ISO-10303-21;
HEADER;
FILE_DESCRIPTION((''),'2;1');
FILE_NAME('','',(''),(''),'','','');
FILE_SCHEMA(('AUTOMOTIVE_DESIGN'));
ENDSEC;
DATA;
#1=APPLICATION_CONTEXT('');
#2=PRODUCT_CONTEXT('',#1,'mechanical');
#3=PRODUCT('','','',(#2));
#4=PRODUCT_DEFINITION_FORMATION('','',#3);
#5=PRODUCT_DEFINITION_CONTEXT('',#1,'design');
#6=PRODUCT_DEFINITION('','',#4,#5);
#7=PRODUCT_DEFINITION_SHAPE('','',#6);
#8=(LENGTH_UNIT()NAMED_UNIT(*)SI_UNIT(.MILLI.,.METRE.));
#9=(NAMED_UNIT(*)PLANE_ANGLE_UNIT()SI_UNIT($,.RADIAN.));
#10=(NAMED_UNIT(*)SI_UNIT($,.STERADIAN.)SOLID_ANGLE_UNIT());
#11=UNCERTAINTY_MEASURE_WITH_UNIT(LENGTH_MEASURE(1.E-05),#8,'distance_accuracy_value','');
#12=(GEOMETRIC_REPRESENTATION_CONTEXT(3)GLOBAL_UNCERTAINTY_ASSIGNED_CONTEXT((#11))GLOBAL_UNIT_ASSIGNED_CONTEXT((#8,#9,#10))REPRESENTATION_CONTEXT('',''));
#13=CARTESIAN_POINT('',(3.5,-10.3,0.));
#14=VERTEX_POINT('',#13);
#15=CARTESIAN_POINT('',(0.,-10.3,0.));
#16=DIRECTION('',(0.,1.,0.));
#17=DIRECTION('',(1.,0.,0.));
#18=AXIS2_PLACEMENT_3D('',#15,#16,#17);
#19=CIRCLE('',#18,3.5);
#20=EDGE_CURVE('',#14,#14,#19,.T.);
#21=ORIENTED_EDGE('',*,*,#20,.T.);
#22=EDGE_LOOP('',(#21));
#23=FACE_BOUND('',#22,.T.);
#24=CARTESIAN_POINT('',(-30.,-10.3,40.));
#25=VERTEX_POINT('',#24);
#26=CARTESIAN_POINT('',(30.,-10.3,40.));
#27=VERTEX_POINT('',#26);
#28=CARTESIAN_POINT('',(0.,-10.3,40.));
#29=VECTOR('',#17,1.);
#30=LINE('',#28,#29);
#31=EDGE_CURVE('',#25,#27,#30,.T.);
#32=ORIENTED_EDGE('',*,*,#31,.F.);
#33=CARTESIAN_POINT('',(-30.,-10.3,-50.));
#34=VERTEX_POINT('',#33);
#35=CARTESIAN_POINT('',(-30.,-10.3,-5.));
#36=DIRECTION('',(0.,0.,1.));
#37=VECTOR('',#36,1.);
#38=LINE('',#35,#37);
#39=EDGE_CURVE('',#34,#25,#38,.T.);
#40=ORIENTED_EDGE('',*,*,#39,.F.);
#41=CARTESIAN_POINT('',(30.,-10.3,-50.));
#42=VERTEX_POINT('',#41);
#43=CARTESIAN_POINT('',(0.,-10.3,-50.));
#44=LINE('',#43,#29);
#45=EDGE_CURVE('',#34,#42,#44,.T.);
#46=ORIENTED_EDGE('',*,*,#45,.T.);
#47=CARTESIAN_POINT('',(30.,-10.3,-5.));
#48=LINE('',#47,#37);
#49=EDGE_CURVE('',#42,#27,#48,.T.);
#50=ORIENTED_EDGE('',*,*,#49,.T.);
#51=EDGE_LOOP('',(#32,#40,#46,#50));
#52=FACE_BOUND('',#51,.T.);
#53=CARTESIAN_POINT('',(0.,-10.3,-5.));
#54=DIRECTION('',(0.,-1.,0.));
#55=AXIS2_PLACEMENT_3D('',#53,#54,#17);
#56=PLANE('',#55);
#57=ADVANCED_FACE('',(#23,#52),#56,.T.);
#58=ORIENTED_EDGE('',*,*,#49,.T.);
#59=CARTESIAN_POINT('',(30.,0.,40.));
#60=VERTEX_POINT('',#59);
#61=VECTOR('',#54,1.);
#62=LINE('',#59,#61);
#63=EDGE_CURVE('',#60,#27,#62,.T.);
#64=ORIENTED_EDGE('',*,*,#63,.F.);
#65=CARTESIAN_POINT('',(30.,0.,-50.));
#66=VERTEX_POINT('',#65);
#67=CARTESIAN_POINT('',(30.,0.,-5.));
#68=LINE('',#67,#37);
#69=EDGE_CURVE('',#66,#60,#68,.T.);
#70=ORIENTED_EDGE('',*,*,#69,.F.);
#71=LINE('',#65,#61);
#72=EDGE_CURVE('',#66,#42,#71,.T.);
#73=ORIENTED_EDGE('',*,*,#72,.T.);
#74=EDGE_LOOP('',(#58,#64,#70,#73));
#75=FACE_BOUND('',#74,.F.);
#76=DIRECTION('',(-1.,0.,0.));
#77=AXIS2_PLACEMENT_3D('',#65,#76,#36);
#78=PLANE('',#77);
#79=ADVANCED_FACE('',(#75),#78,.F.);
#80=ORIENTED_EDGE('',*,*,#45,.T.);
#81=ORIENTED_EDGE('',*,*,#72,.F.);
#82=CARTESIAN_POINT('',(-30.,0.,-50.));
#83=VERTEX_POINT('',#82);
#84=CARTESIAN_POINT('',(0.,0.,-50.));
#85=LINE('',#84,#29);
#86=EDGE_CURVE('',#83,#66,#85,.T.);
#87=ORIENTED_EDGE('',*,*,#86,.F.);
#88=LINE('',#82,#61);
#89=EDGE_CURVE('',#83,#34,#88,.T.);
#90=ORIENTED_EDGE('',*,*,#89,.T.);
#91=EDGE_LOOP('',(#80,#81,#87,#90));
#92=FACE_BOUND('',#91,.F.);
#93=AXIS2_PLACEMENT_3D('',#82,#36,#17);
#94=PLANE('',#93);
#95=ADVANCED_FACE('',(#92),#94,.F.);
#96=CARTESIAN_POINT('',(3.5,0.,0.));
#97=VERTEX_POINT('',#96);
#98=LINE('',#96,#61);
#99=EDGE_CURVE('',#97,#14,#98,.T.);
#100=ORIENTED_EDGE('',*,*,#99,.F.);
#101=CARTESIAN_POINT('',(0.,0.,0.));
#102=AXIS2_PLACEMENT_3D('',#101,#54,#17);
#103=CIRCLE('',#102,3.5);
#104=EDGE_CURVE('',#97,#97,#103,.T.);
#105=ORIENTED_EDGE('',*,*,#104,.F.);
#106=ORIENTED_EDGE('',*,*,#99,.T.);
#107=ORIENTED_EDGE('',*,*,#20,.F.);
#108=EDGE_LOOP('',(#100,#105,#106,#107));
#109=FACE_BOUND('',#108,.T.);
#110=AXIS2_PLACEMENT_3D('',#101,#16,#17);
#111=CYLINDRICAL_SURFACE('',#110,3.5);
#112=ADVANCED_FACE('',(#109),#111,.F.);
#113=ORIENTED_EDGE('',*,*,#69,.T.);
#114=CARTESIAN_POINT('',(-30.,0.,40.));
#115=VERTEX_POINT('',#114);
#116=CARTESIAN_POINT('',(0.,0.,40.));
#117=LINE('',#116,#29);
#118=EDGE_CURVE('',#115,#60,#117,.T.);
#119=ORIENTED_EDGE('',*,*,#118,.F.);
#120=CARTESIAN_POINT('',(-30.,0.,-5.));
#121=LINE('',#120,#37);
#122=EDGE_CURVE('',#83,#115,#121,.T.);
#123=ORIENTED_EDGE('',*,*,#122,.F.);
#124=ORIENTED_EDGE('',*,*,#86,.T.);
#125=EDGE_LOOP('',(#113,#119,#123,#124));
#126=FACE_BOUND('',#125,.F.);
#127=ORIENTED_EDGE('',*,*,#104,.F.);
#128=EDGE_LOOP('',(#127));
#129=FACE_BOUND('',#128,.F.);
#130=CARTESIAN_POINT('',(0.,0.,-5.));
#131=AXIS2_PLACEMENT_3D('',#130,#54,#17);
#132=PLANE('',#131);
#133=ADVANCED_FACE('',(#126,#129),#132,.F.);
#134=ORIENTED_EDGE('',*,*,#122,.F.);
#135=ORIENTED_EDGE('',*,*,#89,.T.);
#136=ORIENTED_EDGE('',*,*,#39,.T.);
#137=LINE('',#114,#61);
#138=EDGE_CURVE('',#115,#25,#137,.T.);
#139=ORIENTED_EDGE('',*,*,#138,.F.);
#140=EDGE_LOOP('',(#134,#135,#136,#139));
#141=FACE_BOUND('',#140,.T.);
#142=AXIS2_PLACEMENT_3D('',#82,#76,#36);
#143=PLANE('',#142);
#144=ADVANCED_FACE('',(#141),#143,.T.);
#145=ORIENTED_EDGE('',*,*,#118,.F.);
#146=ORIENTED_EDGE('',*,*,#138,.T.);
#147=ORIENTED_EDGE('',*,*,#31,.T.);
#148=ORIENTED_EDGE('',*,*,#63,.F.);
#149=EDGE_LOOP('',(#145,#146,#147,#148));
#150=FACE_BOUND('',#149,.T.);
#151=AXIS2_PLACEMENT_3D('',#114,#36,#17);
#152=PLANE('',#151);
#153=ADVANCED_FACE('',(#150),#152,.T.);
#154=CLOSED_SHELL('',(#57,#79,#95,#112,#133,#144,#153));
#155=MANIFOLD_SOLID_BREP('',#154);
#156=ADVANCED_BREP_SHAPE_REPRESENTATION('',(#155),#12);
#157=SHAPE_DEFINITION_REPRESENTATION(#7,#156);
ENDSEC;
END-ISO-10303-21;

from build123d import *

# Parameters (mm, degrees)
F0_W     = 60
F0_H     = 90
F2_DEPTH = 10.3
F1_R     = 3.5
F3_DEPTH = 25.4


with BuildPart() as f2:
    # F0 (on Front) → F2 (new body)
    with BuildSketch(Plane.XZ):
        with Locations((0, -5)):
            Rectangle(F0_W, F0_H)
    extrude(amount=F2_DEPTH)

    # F1 (on face) → F3 (cut)
    with BuildSketch(Plane.XZ):
        Circle(F1_R)
    extrude(amount=F3_DEPTH, mode=Mode.SUBTRACT)


solid = f2.part
